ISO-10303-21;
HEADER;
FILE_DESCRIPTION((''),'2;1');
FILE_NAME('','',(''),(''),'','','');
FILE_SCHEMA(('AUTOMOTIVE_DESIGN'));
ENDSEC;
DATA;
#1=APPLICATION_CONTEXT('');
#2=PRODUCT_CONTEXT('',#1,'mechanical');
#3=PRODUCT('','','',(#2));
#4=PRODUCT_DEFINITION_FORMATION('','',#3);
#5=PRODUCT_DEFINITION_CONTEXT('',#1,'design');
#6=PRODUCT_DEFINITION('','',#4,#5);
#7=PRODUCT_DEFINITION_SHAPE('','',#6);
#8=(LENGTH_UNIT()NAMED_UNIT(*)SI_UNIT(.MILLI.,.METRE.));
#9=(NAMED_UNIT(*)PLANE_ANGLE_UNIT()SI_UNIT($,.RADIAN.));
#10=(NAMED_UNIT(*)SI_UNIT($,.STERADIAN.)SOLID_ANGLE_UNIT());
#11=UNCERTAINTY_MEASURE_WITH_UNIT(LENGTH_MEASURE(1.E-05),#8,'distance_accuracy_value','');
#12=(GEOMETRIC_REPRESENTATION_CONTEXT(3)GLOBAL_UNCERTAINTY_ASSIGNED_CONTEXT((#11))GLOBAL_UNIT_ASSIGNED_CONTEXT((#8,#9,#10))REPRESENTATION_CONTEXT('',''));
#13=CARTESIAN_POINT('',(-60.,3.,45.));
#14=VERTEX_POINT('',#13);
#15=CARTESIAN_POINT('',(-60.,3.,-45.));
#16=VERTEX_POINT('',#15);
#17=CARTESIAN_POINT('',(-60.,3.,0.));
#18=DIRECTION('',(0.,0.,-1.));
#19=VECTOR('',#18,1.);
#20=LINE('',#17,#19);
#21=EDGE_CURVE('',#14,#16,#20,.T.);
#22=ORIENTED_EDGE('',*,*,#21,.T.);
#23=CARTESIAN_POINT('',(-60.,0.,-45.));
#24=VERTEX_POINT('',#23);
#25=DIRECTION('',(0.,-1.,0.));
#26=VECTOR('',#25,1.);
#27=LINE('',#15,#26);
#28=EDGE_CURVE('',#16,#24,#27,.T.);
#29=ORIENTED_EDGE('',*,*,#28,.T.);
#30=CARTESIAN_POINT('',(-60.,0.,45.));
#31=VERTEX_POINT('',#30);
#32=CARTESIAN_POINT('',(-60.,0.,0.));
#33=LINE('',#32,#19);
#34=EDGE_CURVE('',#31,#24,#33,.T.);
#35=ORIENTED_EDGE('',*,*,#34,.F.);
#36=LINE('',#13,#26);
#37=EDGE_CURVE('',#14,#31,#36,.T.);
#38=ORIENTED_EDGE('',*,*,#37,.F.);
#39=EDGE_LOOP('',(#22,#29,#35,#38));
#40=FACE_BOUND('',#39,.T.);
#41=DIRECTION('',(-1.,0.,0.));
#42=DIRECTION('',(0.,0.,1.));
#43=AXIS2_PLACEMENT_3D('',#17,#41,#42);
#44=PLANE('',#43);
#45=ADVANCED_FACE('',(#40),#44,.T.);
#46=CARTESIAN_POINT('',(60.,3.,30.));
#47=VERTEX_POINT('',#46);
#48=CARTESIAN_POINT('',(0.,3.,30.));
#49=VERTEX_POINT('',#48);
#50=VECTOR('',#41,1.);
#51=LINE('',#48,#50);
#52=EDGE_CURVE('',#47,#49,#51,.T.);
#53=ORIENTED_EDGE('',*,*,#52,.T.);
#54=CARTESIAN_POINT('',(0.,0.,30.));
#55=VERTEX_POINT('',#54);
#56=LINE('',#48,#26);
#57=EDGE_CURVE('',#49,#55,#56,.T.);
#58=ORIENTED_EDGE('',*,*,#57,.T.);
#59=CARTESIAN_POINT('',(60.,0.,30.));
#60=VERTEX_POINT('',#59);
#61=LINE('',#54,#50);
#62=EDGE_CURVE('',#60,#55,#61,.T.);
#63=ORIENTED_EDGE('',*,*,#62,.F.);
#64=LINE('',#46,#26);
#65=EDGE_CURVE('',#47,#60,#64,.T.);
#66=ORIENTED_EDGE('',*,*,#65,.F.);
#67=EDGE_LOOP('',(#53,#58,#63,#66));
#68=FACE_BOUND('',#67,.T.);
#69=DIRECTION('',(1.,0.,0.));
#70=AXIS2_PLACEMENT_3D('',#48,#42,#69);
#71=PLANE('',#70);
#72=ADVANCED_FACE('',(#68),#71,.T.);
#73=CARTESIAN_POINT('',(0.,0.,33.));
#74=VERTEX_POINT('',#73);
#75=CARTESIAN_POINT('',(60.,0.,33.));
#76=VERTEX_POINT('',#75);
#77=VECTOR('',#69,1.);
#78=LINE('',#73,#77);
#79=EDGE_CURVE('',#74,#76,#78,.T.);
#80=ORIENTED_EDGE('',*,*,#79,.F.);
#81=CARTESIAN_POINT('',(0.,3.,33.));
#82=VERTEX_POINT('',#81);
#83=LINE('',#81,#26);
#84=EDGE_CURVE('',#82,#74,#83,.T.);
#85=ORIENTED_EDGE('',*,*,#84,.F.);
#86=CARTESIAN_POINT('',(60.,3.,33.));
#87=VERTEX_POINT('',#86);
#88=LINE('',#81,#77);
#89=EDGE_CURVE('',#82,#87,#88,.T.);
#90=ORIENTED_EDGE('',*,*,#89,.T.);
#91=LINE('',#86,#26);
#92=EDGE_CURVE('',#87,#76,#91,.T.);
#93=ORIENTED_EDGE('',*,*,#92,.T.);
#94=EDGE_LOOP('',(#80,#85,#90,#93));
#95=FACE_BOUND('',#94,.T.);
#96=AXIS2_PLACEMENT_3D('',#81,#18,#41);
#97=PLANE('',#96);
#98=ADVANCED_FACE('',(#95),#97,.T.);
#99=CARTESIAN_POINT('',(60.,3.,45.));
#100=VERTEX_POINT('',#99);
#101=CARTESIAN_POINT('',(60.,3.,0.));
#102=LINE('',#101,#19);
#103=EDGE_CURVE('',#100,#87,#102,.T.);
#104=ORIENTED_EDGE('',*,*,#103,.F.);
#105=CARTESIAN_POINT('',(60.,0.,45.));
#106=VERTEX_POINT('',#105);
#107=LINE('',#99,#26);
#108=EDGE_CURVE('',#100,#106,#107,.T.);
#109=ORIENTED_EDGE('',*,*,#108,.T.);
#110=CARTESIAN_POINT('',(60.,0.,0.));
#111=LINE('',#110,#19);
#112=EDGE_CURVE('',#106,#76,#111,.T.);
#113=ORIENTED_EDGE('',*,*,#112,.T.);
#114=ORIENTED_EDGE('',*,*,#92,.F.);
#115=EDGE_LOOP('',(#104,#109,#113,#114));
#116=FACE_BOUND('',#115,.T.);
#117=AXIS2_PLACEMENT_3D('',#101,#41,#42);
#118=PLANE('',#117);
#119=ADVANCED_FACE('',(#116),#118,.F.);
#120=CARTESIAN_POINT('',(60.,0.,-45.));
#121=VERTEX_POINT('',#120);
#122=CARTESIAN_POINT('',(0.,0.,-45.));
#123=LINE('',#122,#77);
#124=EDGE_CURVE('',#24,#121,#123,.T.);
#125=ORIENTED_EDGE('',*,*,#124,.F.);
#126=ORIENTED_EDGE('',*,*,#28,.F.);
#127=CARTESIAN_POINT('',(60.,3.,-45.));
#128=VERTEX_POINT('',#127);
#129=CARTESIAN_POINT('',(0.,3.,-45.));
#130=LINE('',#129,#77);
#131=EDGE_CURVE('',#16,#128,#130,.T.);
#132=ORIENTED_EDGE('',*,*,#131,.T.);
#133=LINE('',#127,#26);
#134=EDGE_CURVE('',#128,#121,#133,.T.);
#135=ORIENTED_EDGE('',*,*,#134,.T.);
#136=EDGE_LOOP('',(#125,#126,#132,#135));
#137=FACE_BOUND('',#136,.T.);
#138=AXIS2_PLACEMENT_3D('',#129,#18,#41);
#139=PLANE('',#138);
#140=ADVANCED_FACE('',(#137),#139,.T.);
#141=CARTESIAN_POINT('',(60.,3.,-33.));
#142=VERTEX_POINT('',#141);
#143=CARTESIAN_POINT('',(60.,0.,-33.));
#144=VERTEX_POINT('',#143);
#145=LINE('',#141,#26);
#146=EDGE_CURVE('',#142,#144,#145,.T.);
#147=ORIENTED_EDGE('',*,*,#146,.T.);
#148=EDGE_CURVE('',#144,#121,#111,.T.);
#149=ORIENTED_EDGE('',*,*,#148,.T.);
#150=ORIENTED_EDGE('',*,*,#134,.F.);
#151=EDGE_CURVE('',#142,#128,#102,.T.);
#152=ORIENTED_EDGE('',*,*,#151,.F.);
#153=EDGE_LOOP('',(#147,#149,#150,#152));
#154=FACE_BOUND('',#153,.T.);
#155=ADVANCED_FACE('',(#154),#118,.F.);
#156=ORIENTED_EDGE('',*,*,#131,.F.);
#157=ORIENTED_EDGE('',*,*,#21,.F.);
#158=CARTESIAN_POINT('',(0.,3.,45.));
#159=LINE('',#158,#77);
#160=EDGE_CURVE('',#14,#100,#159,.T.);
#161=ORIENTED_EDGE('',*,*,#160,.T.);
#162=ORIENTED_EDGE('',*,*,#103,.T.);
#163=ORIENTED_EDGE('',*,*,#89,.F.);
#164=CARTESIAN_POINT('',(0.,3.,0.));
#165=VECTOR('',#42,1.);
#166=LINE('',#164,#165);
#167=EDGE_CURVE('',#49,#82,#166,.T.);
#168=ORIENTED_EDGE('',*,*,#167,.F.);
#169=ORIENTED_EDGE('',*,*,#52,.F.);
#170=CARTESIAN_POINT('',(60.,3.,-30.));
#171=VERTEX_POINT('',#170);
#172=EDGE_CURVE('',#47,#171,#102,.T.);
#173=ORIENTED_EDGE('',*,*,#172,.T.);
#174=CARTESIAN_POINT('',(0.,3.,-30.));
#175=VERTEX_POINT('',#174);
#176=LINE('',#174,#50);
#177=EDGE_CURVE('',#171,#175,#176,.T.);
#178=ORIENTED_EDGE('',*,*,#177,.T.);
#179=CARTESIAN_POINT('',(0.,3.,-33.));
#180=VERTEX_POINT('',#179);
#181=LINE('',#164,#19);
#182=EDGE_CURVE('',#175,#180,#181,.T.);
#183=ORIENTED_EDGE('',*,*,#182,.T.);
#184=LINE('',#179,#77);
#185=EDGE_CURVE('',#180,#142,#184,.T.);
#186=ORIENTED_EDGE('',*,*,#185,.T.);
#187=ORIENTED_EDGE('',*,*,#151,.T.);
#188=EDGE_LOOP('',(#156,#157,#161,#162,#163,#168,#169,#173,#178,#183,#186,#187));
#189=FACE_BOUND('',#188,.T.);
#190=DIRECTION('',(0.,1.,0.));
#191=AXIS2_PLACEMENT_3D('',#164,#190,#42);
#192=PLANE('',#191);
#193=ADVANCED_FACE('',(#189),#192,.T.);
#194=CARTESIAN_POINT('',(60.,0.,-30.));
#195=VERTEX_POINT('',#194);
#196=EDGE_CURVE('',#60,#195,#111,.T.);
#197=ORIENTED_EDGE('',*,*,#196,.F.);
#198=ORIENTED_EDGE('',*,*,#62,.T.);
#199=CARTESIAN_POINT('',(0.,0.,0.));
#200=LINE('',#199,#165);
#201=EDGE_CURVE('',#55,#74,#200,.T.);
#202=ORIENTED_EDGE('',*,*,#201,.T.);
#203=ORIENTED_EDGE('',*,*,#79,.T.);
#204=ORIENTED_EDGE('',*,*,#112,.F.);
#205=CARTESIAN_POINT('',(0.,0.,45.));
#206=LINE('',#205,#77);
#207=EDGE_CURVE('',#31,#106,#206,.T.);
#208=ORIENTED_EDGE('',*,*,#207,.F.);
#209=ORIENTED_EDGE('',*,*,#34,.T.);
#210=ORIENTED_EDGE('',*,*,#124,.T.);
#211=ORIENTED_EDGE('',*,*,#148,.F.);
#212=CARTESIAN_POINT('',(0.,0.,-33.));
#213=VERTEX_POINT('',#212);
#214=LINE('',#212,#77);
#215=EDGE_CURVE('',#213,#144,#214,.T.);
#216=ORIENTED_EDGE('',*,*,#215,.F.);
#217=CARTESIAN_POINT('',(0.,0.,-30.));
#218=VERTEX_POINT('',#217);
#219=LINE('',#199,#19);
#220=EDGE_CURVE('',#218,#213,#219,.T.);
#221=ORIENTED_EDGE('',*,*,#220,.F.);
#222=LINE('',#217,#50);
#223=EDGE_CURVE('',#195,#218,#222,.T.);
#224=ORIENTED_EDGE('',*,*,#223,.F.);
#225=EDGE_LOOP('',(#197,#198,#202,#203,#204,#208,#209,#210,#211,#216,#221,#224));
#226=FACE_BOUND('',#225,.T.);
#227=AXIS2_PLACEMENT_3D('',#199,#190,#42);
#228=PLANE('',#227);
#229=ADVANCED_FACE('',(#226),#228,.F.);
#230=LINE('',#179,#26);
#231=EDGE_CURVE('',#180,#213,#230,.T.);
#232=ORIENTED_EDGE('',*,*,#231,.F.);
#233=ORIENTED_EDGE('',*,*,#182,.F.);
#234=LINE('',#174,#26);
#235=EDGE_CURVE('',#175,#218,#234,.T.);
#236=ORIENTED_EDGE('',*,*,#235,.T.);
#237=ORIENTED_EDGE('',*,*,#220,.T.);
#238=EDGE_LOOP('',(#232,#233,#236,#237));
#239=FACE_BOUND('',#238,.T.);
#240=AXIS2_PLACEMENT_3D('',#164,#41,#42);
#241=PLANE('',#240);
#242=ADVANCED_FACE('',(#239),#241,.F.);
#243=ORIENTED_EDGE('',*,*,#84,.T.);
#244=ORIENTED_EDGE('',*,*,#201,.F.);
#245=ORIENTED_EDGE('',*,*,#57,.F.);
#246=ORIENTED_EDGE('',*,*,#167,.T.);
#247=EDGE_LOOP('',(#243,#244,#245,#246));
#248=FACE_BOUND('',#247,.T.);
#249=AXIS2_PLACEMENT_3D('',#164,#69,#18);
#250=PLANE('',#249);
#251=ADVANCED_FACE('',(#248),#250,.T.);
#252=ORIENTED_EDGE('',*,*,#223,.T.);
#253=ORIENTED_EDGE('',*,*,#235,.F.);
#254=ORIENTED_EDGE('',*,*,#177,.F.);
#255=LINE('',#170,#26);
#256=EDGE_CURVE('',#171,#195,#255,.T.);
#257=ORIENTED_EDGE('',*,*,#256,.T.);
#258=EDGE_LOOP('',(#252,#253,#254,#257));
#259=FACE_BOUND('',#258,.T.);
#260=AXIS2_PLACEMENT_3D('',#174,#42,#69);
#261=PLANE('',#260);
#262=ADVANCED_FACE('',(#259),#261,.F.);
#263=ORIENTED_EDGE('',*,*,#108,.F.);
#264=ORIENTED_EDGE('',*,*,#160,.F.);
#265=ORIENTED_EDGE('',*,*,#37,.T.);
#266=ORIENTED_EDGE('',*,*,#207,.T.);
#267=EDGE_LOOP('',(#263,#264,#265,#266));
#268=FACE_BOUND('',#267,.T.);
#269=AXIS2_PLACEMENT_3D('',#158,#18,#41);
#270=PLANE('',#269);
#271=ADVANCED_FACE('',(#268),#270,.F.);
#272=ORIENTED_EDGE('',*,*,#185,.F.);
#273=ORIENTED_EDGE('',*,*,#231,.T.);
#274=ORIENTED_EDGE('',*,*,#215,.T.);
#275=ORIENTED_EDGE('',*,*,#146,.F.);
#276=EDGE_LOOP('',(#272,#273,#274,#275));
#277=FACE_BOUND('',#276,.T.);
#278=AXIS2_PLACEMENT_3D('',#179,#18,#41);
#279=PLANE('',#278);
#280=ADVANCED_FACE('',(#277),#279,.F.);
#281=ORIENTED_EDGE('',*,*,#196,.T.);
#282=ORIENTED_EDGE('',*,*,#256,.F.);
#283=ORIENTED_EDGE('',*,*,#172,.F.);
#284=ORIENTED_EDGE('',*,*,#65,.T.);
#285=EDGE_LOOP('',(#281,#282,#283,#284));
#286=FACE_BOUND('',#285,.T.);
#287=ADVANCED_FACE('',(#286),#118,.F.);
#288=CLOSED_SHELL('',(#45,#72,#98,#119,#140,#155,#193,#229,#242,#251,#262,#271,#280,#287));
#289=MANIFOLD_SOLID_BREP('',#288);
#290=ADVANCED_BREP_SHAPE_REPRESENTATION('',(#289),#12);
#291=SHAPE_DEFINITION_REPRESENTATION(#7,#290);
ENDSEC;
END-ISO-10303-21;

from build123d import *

# Parameters (mm, degrees)
BOSS_EXTRUDE2_DEPTH = 3


with BuildPart() as part:
    # Sketch1 → Boss-Extrude2 (new body)
    with BuildSketch(Plane(origin=(0, 0, 0), x_dir=(1, 0, 0), z_dir=(0, 1, 0))):
        Polygon((60, -30), (60, 30), (0, 30), (0, 33), (60, 33), (60, 45), (-60, 45), (-60, -45), (60, -45), (60, -33), (0, -33), (0, -30), align=None)
    extrude(amount=BOSS_EXTRUDE2_DEPTH)


solid = part.part
